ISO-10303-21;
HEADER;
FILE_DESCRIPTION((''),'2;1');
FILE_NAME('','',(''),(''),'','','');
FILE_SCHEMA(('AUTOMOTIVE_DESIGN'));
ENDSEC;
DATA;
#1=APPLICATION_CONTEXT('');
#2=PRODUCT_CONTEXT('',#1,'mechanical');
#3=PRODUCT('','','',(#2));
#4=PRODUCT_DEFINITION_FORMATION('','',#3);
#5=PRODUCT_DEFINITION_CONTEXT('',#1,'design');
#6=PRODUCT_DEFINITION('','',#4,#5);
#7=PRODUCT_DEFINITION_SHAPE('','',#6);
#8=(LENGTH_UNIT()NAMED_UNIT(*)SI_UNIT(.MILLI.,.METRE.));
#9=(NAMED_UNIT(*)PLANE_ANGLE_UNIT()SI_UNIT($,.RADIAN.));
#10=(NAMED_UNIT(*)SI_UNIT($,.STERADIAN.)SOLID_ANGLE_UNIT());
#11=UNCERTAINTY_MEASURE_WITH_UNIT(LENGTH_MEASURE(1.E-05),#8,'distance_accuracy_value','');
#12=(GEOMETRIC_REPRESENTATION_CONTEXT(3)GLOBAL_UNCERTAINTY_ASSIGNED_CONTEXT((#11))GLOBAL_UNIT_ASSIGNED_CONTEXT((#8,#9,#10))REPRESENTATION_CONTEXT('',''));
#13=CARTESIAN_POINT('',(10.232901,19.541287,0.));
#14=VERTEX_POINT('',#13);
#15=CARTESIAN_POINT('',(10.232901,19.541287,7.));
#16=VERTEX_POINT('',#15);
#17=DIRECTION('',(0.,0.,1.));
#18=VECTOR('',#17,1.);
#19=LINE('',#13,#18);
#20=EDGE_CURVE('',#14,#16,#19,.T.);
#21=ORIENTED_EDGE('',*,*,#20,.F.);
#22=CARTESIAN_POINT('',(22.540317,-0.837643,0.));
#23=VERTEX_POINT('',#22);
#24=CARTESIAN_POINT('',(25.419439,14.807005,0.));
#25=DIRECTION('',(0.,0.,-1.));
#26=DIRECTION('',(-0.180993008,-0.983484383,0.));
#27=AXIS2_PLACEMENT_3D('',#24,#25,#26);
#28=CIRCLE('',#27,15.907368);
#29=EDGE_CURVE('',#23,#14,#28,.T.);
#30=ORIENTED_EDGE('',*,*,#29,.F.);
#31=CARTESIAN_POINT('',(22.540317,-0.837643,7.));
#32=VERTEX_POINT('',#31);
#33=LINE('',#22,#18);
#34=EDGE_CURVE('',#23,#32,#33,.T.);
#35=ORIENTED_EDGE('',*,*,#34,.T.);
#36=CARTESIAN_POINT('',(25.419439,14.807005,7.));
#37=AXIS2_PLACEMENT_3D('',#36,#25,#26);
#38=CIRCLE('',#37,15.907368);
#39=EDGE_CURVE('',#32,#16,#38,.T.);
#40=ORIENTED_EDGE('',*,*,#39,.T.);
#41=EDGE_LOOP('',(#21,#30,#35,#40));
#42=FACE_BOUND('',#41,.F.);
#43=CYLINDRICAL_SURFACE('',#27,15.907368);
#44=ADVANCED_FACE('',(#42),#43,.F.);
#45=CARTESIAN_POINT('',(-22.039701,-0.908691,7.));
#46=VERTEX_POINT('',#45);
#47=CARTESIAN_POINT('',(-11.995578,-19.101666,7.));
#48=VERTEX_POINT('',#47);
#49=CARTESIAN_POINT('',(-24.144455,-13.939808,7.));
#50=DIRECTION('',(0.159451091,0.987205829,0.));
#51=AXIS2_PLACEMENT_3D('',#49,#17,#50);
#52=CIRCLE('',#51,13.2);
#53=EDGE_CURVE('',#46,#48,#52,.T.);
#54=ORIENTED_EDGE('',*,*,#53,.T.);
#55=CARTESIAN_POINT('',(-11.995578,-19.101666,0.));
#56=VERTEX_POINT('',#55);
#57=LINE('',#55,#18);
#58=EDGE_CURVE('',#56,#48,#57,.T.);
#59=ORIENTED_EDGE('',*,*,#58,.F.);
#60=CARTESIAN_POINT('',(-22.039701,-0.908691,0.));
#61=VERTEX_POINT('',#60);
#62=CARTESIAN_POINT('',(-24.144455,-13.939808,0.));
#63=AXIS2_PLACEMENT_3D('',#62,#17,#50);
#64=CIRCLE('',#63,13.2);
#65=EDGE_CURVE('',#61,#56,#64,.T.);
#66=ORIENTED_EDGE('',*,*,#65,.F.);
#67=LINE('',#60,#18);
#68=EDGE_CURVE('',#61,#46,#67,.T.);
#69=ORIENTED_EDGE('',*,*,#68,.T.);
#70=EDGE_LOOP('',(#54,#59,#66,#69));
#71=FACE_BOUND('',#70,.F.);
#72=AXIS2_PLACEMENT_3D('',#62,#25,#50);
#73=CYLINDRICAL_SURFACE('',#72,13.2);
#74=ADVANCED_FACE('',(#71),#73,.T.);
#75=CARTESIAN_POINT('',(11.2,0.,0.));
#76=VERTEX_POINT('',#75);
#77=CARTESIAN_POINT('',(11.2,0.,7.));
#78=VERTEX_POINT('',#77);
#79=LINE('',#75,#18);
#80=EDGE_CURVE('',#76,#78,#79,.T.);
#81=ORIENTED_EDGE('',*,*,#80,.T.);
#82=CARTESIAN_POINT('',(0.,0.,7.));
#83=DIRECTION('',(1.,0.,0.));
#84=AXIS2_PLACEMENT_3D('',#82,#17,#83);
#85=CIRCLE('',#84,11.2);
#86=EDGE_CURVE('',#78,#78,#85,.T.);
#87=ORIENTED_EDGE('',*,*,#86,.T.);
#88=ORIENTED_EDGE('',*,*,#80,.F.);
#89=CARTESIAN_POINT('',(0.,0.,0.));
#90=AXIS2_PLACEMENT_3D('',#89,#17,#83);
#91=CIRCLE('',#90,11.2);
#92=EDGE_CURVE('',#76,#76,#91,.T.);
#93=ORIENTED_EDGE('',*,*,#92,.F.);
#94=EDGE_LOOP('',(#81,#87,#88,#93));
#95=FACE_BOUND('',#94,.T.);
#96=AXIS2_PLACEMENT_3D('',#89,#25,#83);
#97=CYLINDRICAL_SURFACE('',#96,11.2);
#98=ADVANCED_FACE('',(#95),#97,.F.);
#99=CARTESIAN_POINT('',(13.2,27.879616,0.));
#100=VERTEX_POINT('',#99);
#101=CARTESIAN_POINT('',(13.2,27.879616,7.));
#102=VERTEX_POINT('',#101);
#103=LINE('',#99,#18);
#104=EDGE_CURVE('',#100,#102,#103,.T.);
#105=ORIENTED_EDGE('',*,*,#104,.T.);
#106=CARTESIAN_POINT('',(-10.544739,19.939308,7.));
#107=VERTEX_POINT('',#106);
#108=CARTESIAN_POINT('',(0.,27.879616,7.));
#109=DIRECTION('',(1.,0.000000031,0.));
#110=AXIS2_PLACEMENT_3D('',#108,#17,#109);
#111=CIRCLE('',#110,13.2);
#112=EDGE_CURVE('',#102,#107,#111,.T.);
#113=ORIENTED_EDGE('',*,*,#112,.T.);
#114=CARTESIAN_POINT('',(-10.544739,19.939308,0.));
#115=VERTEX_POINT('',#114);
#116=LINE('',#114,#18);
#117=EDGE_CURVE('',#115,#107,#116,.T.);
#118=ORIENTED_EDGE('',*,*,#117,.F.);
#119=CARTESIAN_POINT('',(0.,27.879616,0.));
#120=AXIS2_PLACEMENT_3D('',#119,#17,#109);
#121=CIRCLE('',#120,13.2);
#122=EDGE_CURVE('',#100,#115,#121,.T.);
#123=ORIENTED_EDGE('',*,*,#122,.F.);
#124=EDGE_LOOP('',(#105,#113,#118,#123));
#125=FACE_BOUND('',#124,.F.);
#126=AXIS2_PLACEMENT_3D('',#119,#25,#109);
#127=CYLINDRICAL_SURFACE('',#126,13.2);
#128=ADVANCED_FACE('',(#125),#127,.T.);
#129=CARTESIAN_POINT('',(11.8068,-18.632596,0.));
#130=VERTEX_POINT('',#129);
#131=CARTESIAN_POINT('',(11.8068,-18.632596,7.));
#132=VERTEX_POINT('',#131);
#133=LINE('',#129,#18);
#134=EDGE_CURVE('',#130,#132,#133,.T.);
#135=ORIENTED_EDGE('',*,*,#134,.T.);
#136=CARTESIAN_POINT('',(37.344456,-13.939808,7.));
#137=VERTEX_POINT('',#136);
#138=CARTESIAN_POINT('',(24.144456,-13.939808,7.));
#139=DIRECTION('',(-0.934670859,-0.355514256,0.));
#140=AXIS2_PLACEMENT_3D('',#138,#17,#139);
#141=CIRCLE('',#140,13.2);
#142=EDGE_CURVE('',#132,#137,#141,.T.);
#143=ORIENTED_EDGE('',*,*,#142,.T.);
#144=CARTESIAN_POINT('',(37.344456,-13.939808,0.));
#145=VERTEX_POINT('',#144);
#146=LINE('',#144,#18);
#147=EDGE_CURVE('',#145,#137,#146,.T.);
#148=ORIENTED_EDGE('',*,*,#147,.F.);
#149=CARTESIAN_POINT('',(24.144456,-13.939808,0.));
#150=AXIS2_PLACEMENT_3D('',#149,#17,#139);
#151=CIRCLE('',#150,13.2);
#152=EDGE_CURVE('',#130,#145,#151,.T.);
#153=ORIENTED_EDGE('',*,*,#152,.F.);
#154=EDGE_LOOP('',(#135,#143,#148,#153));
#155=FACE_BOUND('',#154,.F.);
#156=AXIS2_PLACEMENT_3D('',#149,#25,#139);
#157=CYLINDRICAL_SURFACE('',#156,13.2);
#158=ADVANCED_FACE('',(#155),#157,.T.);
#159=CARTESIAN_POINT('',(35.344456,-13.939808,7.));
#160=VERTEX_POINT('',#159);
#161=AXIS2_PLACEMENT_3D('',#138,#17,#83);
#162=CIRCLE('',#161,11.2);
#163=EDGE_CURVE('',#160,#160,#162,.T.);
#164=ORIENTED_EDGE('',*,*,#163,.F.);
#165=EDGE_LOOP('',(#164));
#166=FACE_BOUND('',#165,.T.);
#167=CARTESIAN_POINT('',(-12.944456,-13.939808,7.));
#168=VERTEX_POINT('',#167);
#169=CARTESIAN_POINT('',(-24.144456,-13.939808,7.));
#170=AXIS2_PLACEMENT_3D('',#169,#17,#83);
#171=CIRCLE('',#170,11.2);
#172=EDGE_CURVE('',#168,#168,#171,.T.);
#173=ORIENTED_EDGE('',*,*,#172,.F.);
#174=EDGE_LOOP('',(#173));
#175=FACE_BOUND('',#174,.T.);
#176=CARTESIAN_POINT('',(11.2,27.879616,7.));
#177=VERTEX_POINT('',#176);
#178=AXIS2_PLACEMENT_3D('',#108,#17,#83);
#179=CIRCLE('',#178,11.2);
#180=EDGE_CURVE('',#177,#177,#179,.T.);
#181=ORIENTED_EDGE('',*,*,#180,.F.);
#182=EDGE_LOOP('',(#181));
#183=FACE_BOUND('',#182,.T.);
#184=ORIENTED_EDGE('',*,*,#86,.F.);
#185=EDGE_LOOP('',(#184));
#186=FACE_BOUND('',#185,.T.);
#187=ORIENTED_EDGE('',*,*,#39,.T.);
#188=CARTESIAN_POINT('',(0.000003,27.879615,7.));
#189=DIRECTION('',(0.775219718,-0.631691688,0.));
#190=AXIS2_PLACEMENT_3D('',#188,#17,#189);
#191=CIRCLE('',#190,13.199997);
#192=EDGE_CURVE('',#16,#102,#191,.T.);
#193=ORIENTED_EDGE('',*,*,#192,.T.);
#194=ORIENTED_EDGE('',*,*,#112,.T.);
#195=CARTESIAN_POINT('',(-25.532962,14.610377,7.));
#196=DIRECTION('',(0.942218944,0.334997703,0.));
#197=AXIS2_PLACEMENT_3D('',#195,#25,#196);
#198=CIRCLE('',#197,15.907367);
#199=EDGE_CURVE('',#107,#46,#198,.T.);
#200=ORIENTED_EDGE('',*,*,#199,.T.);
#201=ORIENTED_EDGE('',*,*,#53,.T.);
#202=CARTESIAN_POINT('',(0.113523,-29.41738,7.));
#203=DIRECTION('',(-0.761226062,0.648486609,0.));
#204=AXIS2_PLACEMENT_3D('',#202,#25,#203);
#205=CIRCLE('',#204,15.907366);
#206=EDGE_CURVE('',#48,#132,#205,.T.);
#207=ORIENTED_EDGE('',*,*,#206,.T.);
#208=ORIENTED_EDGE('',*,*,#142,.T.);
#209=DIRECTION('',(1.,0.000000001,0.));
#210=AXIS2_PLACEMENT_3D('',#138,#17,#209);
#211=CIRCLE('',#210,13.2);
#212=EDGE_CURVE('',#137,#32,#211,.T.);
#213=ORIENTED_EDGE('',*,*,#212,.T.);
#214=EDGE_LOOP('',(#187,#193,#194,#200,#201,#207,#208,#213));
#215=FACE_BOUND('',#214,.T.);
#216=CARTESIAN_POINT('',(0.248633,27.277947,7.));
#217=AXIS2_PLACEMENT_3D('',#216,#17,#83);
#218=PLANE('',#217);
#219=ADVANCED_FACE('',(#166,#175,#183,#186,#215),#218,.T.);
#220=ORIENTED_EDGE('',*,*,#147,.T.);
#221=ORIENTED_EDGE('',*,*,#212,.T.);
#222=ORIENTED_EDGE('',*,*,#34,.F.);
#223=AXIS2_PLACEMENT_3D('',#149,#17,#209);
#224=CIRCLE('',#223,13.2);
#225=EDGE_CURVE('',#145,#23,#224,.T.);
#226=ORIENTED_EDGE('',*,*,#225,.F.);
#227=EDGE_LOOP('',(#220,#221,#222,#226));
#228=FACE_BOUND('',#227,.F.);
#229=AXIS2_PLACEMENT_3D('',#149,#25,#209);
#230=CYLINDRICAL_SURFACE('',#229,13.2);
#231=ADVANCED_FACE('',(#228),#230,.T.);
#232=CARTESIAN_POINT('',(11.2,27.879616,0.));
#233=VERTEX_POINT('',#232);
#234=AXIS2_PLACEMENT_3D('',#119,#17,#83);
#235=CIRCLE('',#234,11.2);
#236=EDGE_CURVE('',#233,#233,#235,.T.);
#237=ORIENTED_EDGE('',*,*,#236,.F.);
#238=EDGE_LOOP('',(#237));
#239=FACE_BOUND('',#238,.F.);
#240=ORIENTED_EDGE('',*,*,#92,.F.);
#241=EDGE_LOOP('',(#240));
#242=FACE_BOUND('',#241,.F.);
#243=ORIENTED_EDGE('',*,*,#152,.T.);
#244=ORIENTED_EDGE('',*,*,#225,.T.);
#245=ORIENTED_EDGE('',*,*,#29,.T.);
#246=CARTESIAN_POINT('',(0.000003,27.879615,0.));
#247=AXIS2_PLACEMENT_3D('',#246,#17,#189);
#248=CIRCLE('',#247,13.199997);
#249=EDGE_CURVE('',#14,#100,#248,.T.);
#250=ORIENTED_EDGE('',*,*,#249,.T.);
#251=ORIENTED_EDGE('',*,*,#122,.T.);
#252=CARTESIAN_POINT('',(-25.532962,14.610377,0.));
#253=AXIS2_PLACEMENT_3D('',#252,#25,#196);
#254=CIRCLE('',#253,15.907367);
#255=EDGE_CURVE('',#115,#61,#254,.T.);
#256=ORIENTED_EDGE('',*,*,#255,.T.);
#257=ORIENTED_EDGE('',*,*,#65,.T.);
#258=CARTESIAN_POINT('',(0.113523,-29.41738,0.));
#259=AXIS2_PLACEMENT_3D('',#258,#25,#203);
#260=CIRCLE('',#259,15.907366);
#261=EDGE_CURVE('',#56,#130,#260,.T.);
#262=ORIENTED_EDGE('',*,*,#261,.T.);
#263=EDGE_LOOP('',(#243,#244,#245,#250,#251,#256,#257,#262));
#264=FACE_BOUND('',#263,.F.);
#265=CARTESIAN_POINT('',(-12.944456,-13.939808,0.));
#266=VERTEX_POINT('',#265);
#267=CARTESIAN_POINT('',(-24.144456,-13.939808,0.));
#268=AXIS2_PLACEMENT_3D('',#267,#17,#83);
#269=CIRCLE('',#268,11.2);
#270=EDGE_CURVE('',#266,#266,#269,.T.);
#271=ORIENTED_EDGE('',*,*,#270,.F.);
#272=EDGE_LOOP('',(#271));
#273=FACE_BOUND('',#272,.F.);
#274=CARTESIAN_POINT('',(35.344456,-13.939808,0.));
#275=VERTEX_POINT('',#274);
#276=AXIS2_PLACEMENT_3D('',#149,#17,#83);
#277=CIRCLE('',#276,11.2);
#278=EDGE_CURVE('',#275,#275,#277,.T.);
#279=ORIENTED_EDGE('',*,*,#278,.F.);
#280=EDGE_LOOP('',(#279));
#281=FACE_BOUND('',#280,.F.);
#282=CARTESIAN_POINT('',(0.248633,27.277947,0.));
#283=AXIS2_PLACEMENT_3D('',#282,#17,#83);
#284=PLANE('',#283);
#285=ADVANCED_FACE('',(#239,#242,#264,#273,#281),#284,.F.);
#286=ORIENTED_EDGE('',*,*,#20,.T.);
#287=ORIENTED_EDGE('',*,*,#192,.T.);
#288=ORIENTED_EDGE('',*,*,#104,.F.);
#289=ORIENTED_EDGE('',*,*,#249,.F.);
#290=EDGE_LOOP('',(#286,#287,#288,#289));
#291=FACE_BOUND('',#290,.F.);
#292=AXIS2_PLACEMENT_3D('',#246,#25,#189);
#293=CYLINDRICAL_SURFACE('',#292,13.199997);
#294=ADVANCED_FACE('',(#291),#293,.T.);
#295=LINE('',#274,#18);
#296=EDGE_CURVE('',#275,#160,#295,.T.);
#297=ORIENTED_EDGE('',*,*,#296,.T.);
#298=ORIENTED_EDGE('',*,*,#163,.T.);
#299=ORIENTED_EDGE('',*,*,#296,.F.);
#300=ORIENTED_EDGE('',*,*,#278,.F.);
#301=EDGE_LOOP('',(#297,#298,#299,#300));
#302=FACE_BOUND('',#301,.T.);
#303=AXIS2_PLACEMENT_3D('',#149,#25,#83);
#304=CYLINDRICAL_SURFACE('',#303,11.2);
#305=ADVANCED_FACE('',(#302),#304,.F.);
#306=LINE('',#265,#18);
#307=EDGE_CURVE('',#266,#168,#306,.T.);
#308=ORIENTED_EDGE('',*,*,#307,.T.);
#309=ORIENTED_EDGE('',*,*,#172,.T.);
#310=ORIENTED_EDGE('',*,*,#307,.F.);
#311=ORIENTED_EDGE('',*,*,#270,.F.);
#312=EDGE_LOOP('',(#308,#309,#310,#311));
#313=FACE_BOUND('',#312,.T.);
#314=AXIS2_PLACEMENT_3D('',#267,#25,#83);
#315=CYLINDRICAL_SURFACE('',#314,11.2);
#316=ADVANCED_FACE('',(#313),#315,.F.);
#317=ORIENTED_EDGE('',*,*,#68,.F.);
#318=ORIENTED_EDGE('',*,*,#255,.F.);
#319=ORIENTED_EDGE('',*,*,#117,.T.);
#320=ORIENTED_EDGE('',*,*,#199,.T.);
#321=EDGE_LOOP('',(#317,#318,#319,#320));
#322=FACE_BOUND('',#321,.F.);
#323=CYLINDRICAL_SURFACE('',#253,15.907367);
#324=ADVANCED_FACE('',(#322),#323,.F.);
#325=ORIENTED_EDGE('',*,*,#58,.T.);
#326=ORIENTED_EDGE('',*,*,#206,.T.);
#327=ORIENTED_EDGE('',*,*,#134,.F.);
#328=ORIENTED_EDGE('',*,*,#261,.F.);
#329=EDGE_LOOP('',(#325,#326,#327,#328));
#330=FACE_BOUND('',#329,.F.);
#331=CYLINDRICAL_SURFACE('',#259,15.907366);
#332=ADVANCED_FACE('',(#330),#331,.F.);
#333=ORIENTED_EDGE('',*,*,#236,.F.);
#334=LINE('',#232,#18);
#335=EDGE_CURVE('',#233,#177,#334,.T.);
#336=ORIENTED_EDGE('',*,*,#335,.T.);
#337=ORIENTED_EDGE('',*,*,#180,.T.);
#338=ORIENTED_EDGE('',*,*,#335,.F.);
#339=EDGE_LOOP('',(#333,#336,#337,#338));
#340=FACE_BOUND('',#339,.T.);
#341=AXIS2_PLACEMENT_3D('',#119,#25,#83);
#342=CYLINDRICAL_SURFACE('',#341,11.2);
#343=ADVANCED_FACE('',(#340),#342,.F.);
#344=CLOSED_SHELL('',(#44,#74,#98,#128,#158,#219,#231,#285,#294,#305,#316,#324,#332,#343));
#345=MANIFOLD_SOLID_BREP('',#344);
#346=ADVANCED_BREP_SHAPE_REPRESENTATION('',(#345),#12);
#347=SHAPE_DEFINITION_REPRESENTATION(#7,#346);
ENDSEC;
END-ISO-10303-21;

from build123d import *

# Parameters (mm, degrees)
F0_R     = 11.2
F0_R_2   = 13.2
F1_DEPTH = 7


with BuildPart() as f1:
    # F0 (on Top) → F1 (new body)
    with BuildSketch(Plane.XY):
        with BuildLine():
            ThreePointArc((10.232901, 19.541287), (12.436123, 23.454365), (13.2, 27.879616))
            ThreePointArc((13.2, 27.879616), (-4.186254, 40.398213), (-10.544739, 19.939308))
            ThreePointArc((-10.544739, 19.939308), (-0.252816, 14.682038), (10.232901, 19.541287))
        make_face()
        with Locations((0, 27.879616)):
            Circle(F0_R, mode=Mode.SUBTRACT)
        with BuildLine():
            ThreePointArc((-10.944456, -13.939808), (-14.094014, -5.382436), (-22.039701, -0.908691))
            ThreePointArc((-22.039701, -0.908691), (-35.700302, -20.319652), (-11.995578, -19.101666))
            ThreePointArc((-11.995578, -19.101666), (-11.209906, -16.573704), (-10.944456, -13.939808))
        make_face()
        with Locations((-24.144456, -13.939808)):
            Circle(F0_R, mode=Mode.SUBTRACT)
        with BuildLine():
            ThreePointArc((37.344456, -13.939808), (32.892752, -4.055107), (22.540317, -0.837643))
            ThreePointArc((22.540317, -0.837643), (12.841425, -7.122074), (11.8068, -18.632596))
            ThreePointArc((11.8068, -18.632596), (26.530137, -26.922432), (37.344456, -13.939808))
        make_face()
        with Locations((24.144456, -13.939808)):
            Circle(F0_R, mode=Mode.SUBTRACT)
        with BuildLine():
            ThreePointArc((10.232901, 19.541287), (-0.252816, 14.682038), (-10.544739, 19.939308))
            ThreePointArc((-10.544739, 19.939308), (-11.60274, 6.92967), (-22.039701, -0.908691))
            ThreePointArc((-22.039701, -0.908691), (-14.094014, -5.382436), (-10.944456, -13.939808))
            ThreePointArc((-10.944456, -13.939808), (-11.209906, -16.573704), (-11.995578, -19.101666))
            ThreePointArc((-11.995578, -19.101666), (-0.1999, -13.513102), (11.8068, -18.632596))
            ThreePointArc((11.8068, -18.632596), (12.841425, -7.122074), (22.540317, -0.837643))
            ThreePointArc((22.540317, -0.837643), (11.80264, 6.583433), (10.232901, 19.541287))
        make_face()
        Circle(F0_R_2, mode=Mode.SUBTRACT)
        Circle(F0_R_2)
        Circle(F0_R, mode=Mode.SUBTRACT)
    extrude(amount=F1_DEPTH)


solid = f1.part
